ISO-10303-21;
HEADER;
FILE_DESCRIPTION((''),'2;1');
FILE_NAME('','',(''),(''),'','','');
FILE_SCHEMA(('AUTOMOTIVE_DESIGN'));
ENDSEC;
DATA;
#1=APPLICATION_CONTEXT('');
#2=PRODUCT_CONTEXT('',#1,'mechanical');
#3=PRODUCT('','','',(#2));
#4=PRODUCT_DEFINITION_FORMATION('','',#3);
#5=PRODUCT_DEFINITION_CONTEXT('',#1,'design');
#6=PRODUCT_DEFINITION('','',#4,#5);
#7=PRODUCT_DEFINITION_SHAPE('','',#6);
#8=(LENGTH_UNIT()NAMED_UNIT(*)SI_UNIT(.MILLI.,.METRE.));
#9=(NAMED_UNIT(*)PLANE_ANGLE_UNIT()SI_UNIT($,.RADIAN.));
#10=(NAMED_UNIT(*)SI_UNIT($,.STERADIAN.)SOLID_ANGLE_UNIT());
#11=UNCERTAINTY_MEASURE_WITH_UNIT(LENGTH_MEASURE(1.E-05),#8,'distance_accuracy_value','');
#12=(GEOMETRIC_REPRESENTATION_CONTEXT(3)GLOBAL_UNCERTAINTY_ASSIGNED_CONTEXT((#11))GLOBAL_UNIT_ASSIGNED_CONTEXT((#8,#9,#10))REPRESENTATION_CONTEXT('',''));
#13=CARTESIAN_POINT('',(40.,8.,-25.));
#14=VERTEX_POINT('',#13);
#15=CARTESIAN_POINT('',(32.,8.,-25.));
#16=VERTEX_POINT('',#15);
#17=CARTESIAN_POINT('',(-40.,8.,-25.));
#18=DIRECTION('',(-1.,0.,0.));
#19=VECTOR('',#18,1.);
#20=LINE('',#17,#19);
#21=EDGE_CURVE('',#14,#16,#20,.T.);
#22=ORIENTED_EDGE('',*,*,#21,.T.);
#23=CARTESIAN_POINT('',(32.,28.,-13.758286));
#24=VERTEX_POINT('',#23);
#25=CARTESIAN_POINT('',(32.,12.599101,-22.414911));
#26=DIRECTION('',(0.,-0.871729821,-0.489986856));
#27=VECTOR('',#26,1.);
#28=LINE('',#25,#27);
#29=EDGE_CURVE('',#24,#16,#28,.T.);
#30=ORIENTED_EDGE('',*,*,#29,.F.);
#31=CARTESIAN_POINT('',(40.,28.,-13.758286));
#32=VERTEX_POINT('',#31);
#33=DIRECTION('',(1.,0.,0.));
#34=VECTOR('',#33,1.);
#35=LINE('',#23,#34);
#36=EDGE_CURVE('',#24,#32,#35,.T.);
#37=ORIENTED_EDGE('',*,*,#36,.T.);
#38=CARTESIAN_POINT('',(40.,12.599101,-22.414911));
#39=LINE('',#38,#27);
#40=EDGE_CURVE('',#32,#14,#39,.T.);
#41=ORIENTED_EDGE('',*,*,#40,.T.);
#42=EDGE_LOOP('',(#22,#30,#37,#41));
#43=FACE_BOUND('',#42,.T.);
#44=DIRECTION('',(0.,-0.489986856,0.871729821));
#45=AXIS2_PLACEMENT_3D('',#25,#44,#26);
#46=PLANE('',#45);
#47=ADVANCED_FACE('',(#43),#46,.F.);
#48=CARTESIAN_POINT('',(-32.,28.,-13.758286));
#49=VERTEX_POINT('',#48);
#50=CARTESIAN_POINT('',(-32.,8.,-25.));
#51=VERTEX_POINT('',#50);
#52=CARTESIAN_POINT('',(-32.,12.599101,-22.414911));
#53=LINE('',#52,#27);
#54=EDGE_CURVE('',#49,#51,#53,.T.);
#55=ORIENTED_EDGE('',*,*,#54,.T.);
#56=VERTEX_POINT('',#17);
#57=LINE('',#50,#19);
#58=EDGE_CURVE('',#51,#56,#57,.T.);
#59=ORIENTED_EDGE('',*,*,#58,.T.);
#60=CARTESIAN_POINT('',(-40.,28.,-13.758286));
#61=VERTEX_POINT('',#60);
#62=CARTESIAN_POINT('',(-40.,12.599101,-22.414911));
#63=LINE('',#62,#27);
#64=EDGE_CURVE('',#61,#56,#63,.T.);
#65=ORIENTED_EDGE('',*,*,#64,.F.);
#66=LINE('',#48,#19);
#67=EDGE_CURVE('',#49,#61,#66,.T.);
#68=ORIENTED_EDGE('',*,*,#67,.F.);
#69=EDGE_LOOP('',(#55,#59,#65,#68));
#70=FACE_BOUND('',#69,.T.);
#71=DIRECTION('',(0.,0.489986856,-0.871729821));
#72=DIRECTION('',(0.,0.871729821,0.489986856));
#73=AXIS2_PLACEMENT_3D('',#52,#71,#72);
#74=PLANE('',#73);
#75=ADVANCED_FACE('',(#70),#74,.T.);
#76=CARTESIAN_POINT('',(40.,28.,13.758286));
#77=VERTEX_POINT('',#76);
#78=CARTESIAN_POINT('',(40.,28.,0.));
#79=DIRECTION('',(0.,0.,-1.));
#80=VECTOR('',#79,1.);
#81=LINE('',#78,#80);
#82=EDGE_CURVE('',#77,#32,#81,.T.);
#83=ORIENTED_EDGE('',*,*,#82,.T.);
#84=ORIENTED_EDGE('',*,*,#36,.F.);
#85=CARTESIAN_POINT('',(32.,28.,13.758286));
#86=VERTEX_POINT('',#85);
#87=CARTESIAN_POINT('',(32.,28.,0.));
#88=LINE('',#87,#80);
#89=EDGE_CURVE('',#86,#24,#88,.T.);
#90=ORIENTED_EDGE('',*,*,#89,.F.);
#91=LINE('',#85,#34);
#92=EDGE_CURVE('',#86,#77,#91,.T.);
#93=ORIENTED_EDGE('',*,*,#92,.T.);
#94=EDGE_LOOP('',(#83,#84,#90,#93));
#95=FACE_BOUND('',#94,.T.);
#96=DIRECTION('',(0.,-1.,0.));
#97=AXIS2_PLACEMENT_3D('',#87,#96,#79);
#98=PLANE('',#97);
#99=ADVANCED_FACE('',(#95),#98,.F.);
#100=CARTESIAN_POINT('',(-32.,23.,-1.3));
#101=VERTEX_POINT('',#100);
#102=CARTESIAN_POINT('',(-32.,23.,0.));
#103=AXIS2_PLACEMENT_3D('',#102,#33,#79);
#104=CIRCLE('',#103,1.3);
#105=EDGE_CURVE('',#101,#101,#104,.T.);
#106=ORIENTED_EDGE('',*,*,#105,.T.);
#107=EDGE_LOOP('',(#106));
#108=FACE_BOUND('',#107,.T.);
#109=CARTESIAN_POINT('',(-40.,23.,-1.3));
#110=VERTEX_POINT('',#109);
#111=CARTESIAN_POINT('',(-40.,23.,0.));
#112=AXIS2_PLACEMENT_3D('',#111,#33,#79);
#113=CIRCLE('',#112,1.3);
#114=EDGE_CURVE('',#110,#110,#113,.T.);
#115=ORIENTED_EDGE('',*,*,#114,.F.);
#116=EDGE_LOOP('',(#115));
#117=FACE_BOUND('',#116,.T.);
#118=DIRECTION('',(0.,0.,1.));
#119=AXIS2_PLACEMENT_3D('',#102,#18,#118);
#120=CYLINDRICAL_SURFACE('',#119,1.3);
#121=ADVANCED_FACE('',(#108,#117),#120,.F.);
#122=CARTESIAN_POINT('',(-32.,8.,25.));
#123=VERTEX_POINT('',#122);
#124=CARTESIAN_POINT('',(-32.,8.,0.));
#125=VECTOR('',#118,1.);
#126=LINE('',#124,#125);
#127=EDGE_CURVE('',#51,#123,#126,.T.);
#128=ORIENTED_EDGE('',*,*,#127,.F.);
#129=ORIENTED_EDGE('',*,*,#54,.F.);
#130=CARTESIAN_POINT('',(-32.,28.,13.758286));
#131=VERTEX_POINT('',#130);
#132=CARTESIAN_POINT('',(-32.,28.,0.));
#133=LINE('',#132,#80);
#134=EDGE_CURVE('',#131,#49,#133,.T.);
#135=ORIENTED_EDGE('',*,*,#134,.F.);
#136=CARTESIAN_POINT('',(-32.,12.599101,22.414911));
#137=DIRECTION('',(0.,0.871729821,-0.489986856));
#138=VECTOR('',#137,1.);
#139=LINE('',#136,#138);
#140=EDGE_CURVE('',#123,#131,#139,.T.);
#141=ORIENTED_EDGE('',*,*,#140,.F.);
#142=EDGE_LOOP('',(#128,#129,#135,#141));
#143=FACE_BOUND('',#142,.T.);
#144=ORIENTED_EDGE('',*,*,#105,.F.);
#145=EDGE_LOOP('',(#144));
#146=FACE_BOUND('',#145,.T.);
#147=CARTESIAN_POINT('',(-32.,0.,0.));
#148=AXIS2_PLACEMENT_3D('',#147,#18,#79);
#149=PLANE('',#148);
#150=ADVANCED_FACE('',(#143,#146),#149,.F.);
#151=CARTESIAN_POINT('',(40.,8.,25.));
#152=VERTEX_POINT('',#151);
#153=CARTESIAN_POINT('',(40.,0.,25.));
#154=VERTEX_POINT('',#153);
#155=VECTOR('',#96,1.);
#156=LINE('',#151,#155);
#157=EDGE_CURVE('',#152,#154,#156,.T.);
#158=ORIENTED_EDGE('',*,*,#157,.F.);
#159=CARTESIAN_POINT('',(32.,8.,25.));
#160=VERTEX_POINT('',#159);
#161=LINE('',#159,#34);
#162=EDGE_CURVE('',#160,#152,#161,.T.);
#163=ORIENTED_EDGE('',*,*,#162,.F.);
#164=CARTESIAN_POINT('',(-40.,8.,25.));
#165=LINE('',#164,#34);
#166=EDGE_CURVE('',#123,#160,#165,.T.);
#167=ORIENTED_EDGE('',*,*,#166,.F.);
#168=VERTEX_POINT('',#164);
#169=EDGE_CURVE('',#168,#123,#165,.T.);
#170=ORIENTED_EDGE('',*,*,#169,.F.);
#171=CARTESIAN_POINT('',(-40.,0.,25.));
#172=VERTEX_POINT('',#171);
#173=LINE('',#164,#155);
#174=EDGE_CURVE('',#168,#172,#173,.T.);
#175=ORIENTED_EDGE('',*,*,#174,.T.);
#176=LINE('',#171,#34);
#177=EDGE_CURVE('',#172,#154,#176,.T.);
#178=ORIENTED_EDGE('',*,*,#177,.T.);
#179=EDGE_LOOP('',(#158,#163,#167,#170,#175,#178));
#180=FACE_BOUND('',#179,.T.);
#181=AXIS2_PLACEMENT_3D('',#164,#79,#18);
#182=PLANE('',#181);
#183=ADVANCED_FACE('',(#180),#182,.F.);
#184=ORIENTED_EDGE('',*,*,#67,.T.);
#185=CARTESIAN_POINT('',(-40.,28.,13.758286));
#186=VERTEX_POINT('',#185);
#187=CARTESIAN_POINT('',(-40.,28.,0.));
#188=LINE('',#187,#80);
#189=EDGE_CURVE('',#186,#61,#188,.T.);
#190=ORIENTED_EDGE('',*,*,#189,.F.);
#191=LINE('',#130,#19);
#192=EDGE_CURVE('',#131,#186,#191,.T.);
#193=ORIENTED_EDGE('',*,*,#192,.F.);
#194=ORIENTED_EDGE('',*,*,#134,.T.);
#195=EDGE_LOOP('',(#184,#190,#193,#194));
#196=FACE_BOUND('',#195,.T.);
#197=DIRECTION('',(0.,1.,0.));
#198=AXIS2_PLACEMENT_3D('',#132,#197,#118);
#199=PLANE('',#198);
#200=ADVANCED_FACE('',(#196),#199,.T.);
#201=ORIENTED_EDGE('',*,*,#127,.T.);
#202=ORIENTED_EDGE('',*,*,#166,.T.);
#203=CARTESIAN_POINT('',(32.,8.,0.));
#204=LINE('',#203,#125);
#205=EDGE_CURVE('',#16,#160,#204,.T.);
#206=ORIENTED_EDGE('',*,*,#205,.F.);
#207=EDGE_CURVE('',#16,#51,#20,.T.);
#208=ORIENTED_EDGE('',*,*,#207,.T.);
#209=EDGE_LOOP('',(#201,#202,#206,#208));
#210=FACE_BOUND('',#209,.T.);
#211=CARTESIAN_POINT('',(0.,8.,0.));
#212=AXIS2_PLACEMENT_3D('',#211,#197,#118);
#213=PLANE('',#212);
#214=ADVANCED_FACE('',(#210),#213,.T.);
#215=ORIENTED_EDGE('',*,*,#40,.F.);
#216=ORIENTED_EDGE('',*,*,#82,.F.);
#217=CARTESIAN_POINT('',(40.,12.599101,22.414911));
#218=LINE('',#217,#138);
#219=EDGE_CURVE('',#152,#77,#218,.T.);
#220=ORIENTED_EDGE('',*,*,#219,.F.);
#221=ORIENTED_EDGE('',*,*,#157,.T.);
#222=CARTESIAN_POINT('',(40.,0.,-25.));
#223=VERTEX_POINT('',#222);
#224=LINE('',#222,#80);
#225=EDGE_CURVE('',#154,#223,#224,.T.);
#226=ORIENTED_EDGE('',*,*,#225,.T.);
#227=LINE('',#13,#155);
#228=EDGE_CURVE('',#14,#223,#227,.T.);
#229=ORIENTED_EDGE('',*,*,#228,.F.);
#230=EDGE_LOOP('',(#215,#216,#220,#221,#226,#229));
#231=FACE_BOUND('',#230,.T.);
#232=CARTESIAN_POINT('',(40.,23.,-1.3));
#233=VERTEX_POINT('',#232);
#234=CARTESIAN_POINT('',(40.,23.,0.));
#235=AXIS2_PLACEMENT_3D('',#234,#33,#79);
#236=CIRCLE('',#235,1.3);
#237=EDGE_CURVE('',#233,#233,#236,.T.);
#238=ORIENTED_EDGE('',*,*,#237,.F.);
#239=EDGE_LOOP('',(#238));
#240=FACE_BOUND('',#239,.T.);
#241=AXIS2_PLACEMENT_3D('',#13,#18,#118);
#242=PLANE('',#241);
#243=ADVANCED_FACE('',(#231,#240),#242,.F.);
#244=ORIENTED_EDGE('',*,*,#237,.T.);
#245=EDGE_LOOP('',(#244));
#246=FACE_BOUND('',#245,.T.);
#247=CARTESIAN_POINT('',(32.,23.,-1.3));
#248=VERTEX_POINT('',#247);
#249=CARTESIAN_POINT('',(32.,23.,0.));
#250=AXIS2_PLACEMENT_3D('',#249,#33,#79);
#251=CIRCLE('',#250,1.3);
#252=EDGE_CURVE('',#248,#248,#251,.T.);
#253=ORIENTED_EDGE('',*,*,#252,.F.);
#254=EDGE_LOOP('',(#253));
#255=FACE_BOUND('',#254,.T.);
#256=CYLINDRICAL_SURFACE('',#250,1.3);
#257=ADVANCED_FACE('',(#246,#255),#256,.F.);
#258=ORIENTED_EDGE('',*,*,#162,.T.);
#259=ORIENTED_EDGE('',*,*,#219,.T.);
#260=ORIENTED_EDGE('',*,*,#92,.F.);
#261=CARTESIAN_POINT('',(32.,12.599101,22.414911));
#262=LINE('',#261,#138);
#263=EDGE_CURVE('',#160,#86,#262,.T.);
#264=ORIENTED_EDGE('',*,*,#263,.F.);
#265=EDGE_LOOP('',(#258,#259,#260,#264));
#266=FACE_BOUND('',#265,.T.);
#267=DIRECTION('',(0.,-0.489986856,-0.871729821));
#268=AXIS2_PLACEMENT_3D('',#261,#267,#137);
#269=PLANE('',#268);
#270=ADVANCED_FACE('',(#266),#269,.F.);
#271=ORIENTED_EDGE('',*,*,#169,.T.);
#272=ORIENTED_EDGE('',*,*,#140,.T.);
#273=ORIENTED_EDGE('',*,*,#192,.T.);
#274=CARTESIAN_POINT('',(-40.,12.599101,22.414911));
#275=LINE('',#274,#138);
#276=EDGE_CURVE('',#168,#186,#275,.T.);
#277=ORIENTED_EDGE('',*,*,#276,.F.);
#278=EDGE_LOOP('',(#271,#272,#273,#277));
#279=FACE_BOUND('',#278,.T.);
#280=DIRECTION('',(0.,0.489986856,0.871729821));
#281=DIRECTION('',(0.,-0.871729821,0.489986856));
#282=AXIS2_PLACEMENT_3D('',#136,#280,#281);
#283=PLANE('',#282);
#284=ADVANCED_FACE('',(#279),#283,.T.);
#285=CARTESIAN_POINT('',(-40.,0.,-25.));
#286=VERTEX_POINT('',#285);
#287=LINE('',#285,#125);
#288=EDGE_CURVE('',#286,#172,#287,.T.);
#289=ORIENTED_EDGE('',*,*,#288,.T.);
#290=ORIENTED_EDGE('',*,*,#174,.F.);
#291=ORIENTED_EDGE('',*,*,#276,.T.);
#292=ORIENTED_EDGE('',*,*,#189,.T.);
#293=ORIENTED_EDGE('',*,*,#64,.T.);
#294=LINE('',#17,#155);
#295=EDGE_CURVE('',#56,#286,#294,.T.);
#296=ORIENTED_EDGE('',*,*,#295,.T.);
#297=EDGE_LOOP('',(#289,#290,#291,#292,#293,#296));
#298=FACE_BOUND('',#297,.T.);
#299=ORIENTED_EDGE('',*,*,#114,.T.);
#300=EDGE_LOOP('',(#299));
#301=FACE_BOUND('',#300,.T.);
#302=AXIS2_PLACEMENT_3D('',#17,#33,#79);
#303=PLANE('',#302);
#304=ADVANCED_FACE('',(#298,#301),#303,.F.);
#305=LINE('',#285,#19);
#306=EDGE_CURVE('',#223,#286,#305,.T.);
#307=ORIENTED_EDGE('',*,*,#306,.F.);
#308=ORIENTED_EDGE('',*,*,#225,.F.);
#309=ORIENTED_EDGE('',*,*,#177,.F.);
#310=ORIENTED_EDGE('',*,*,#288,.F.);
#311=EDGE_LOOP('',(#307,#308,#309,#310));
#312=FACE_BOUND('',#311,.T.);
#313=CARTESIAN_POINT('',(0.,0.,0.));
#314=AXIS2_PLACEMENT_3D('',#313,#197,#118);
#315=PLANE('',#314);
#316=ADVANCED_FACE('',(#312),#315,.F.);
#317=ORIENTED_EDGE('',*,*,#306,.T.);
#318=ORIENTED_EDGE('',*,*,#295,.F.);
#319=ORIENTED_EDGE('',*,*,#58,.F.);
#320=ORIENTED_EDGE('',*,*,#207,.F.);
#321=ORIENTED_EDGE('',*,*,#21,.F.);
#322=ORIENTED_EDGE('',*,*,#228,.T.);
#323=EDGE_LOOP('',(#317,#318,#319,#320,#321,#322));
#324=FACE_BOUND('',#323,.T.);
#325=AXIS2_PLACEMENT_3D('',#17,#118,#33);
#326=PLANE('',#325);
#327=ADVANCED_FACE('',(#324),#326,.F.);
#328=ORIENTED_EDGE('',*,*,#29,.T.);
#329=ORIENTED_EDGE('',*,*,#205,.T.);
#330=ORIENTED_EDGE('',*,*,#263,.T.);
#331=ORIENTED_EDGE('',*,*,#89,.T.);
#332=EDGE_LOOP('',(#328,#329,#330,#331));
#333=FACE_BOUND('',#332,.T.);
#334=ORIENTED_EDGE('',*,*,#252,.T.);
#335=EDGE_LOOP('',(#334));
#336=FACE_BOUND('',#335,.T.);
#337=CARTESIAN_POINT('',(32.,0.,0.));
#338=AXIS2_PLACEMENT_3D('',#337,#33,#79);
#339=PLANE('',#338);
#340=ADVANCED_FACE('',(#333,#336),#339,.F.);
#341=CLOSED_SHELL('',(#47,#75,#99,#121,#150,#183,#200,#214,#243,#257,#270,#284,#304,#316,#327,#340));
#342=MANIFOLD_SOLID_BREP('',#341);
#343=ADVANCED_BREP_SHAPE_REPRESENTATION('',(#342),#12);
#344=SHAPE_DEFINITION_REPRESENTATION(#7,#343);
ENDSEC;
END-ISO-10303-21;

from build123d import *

# Parameters (mm, degrees)
SKETCH2_W           = 80
SKETCH2_H           = 50
BOSS_EXTRUDE1_DEPTH = 8
SKETCH3_R           = 1.3
BOSS_EXTRUDE2_DEPTH = 8


with BuildPart() as part:
    # Sketch2 → Boss-Extrude1 (new body)
    with BuildSketch(Plane(origin=(0, 0, 0), x_dir=(1, 0, 0), z_dir=(0, 1, 0))):
        Rectangle(SKETCH2_W, SKETCH2_H)
    extrude(amount=BOSS_EXTRUDE1_DEPTH)

    # Sketch3 → Boss-Extrude2 (add)
    with BuildSketch(Plane(origin=(40, 0, 0), x_dir=(0, 0, -1), z_dir=(1, 0, 0))):
        Polygon((13.758286246, 28), (25, 8), (-25, 8), (-13.758286246, 28), align=None)
        with Locations((0, 23)):
            Circle(SKETCH3_R, mode=Mode.SUBTRACT)
    boss_extrude2 = extrude(amount=-BOSS_EXTRUDE2_DEPTH)

    # Mirror1: Boss-Extrude2 across plane
    add(boss_extrude2.mirror(Plane(origin=(0, 0, 0), x_dir=(0, 0, 1), z_dir=(1, 0, 0))))


solid = part.part
